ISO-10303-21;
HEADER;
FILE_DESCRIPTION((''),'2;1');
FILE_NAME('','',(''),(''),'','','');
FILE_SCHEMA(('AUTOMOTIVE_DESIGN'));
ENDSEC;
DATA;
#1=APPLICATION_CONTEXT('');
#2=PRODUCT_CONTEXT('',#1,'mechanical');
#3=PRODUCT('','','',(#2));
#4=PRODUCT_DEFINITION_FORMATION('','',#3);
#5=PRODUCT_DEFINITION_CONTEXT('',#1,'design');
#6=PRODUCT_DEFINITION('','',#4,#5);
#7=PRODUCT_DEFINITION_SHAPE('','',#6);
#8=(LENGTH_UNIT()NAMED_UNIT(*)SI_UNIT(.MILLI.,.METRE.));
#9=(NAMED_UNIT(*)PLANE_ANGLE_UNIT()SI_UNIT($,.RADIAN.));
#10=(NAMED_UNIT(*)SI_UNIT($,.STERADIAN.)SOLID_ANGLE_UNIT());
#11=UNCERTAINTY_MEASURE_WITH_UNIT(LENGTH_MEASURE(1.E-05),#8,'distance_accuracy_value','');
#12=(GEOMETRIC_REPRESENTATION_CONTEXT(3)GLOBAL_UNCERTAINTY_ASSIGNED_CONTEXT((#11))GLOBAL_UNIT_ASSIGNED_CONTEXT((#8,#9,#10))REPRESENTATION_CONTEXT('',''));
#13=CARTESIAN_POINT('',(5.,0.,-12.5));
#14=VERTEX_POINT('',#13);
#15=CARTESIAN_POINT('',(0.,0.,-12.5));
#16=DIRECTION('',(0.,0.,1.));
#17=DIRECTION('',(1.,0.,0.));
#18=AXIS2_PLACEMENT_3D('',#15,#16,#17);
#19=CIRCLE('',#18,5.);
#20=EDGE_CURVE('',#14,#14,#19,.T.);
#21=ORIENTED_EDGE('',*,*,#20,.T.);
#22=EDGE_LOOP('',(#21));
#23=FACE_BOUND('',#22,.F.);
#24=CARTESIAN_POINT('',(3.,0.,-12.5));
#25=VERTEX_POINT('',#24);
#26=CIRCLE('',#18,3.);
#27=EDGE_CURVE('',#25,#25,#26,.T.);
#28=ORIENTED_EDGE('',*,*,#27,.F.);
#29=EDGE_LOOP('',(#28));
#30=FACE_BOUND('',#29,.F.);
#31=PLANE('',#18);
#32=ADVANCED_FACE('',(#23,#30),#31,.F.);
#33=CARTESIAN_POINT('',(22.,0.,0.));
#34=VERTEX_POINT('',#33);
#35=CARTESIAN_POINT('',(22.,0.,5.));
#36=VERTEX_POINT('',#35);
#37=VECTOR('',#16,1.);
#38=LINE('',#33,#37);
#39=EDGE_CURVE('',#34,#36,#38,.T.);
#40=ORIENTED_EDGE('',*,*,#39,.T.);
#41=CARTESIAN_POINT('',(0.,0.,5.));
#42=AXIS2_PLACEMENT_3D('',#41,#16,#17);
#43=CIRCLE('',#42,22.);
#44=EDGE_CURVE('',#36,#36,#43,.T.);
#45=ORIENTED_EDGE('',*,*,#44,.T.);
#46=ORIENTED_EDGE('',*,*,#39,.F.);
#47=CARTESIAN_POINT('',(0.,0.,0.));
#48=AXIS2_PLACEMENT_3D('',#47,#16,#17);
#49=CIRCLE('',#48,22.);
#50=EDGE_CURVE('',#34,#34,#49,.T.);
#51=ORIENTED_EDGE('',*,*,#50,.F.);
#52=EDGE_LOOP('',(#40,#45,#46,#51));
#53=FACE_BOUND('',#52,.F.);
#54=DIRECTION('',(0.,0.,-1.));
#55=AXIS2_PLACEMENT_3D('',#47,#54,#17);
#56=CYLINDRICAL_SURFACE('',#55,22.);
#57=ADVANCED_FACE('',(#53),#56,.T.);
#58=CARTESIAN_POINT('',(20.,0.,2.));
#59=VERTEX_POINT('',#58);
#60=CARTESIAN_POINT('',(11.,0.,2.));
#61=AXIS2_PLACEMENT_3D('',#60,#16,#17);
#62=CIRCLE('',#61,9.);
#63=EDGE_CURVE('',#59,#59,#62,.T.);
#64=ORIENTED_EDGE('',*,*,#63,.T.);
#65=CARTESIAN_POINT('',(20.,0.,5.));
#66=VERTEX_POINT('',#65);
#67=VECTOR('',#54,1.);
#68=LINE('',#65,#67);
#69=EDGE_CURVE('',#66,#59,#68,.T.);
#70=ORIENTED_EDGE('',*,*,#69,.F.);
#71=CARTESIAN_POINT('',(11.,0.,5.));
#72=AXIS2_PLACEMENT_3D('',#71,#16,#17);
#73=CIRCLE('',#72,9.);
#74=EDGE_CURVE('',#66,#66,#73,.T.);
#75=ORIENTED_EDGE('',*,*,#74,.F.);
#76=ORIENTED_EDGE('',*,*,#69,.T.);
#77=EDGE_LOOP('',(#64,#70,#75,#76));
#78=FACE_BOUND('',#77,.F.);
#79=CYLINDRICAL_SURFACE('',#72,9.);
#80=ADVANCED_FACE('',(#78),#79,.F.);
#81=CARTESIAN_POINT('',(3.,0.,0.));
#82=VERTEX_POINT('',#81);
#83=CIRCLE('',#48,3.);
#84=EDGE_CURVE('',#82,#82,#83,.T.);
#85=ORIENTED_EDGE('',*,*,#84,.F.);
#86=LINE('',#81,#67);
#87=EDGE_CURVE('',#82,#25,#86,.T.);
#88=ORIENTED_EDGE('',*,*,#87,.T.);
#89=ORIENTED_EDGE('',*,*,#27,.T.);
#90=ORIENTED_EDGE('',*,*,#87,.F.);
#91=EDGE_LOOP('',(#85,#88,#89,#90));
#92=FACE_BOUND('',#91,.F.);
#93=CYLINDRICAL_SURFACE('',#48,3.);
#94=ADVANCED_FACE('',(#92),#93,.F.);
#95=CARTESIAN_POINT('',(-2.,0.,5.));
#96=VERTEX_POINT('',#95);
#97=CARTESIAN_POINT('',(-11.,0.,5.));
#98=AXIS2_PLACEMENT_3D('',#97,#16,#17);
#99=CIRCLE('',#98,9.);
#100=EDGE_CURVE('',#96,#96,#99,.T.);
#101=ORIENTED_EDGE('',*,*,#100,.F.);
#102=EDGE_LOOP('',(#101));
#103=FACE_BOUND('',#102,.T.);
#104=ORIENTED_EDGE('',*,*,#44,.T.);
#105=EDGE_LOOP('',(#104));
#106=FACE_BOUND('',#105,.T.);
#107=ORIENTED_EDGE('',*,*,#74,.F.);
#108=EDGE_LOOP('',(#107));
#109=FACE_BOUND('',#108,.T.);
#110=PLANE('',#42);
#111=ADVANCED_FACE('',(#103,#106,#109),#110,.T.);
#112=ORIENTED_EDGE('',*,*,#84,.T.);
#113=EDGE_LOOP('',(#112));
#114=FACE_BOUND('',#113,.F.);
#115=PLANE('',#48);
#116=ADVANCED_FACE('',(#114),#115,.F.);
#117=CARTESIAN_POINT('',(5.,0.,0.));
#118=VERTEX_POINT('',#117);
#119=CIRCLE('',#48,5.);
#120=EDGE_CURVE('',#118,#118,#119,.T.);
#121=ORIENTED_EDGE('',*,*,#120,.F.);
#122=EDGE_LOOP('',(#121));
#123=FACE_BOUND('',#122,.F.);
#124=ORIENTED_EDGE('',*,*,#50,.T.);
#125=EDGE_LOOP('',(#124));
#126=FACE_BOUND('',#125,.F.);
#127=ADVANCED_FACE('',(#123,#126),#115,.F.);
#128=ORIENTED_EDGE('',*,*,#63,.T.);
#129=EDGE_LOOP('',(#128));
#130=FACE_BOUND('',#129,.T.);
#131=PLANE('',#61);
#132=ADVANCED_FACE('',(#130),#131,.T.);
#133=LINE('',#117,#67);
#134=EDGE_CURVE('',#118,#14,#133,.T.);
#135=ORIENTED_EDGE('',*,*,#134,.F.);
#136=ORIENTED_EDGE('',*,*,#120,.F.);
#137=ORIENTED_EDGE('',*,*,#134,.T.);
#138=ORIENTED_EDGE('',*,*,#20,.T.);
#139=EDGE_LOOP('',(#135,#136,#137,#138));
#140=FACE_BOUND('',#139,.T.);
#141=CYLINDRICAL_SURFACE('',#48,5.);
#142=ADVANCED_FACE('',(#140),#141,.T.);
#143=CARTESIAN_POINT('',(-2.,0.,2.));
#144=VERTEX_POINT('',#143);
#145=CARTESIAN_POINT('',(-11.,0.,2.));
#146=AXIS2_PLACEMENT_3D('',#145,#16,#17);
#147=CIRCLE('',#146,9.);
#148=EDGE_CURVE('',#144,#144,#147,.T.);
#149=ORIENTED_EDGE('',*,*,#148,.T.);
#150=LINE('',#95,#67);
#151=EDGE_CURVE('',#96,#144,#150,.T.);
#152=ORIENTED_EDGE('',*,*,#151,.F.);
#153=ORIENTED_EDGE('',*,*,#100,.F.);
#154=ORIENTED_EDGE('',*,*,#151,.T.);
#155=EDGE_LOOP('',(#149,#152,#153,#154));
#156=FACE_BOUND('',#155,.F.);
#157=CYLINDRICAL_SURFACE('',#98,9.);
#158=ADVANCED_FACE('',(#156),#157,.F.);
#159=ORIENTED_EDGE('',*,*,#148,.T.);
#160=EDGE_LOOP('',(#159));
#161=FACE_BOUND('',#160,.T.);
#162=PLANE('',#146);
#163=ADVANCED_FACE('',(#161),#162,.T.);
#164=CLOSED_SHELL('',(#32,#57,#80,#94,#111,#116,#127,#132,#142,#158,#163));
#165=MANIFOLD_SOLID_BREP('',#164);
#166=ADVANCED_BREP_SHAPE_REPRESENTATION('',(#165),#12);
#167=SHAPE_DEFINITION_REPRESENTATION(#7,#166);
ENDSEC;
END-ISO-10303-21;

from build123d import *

# Parameters (mm, degrees)
F1_R     = 5
F1_R_2   = 3
F3_DEPTH = 12.5
F5_R     = 22
F6_DEPTH = 5
F7_R     = 9
F8_DEPTH = 3


with BuildPart() as f3:
    # F1 (on Top) → F3 (new body)
    with BuildSketch(Plane.XY):
        Circle(F1_R)
        Circle(F1_R_2, mode=Mode.SUBTRACT)
    extrude(amount=-F3_DEPTH)

    # F5 (on Top) → F6 (join)
    with BuildSketch(Plane.XY):
        Circle(F5_R)
    extrude(amount=F6_DEPTH)

    # F7 (on face) → F8 (cut)
    with BuildSketch(Plane.XY.offset(5)):
        with Locations((11, 0)):
            Circle(F7_R)
        with Locations((-11, 0)):
            Circle(F7_R)
    extrude(amount=-F8_DEPTH, mode=Mode.SUBTRACT)


solid = f3.part
